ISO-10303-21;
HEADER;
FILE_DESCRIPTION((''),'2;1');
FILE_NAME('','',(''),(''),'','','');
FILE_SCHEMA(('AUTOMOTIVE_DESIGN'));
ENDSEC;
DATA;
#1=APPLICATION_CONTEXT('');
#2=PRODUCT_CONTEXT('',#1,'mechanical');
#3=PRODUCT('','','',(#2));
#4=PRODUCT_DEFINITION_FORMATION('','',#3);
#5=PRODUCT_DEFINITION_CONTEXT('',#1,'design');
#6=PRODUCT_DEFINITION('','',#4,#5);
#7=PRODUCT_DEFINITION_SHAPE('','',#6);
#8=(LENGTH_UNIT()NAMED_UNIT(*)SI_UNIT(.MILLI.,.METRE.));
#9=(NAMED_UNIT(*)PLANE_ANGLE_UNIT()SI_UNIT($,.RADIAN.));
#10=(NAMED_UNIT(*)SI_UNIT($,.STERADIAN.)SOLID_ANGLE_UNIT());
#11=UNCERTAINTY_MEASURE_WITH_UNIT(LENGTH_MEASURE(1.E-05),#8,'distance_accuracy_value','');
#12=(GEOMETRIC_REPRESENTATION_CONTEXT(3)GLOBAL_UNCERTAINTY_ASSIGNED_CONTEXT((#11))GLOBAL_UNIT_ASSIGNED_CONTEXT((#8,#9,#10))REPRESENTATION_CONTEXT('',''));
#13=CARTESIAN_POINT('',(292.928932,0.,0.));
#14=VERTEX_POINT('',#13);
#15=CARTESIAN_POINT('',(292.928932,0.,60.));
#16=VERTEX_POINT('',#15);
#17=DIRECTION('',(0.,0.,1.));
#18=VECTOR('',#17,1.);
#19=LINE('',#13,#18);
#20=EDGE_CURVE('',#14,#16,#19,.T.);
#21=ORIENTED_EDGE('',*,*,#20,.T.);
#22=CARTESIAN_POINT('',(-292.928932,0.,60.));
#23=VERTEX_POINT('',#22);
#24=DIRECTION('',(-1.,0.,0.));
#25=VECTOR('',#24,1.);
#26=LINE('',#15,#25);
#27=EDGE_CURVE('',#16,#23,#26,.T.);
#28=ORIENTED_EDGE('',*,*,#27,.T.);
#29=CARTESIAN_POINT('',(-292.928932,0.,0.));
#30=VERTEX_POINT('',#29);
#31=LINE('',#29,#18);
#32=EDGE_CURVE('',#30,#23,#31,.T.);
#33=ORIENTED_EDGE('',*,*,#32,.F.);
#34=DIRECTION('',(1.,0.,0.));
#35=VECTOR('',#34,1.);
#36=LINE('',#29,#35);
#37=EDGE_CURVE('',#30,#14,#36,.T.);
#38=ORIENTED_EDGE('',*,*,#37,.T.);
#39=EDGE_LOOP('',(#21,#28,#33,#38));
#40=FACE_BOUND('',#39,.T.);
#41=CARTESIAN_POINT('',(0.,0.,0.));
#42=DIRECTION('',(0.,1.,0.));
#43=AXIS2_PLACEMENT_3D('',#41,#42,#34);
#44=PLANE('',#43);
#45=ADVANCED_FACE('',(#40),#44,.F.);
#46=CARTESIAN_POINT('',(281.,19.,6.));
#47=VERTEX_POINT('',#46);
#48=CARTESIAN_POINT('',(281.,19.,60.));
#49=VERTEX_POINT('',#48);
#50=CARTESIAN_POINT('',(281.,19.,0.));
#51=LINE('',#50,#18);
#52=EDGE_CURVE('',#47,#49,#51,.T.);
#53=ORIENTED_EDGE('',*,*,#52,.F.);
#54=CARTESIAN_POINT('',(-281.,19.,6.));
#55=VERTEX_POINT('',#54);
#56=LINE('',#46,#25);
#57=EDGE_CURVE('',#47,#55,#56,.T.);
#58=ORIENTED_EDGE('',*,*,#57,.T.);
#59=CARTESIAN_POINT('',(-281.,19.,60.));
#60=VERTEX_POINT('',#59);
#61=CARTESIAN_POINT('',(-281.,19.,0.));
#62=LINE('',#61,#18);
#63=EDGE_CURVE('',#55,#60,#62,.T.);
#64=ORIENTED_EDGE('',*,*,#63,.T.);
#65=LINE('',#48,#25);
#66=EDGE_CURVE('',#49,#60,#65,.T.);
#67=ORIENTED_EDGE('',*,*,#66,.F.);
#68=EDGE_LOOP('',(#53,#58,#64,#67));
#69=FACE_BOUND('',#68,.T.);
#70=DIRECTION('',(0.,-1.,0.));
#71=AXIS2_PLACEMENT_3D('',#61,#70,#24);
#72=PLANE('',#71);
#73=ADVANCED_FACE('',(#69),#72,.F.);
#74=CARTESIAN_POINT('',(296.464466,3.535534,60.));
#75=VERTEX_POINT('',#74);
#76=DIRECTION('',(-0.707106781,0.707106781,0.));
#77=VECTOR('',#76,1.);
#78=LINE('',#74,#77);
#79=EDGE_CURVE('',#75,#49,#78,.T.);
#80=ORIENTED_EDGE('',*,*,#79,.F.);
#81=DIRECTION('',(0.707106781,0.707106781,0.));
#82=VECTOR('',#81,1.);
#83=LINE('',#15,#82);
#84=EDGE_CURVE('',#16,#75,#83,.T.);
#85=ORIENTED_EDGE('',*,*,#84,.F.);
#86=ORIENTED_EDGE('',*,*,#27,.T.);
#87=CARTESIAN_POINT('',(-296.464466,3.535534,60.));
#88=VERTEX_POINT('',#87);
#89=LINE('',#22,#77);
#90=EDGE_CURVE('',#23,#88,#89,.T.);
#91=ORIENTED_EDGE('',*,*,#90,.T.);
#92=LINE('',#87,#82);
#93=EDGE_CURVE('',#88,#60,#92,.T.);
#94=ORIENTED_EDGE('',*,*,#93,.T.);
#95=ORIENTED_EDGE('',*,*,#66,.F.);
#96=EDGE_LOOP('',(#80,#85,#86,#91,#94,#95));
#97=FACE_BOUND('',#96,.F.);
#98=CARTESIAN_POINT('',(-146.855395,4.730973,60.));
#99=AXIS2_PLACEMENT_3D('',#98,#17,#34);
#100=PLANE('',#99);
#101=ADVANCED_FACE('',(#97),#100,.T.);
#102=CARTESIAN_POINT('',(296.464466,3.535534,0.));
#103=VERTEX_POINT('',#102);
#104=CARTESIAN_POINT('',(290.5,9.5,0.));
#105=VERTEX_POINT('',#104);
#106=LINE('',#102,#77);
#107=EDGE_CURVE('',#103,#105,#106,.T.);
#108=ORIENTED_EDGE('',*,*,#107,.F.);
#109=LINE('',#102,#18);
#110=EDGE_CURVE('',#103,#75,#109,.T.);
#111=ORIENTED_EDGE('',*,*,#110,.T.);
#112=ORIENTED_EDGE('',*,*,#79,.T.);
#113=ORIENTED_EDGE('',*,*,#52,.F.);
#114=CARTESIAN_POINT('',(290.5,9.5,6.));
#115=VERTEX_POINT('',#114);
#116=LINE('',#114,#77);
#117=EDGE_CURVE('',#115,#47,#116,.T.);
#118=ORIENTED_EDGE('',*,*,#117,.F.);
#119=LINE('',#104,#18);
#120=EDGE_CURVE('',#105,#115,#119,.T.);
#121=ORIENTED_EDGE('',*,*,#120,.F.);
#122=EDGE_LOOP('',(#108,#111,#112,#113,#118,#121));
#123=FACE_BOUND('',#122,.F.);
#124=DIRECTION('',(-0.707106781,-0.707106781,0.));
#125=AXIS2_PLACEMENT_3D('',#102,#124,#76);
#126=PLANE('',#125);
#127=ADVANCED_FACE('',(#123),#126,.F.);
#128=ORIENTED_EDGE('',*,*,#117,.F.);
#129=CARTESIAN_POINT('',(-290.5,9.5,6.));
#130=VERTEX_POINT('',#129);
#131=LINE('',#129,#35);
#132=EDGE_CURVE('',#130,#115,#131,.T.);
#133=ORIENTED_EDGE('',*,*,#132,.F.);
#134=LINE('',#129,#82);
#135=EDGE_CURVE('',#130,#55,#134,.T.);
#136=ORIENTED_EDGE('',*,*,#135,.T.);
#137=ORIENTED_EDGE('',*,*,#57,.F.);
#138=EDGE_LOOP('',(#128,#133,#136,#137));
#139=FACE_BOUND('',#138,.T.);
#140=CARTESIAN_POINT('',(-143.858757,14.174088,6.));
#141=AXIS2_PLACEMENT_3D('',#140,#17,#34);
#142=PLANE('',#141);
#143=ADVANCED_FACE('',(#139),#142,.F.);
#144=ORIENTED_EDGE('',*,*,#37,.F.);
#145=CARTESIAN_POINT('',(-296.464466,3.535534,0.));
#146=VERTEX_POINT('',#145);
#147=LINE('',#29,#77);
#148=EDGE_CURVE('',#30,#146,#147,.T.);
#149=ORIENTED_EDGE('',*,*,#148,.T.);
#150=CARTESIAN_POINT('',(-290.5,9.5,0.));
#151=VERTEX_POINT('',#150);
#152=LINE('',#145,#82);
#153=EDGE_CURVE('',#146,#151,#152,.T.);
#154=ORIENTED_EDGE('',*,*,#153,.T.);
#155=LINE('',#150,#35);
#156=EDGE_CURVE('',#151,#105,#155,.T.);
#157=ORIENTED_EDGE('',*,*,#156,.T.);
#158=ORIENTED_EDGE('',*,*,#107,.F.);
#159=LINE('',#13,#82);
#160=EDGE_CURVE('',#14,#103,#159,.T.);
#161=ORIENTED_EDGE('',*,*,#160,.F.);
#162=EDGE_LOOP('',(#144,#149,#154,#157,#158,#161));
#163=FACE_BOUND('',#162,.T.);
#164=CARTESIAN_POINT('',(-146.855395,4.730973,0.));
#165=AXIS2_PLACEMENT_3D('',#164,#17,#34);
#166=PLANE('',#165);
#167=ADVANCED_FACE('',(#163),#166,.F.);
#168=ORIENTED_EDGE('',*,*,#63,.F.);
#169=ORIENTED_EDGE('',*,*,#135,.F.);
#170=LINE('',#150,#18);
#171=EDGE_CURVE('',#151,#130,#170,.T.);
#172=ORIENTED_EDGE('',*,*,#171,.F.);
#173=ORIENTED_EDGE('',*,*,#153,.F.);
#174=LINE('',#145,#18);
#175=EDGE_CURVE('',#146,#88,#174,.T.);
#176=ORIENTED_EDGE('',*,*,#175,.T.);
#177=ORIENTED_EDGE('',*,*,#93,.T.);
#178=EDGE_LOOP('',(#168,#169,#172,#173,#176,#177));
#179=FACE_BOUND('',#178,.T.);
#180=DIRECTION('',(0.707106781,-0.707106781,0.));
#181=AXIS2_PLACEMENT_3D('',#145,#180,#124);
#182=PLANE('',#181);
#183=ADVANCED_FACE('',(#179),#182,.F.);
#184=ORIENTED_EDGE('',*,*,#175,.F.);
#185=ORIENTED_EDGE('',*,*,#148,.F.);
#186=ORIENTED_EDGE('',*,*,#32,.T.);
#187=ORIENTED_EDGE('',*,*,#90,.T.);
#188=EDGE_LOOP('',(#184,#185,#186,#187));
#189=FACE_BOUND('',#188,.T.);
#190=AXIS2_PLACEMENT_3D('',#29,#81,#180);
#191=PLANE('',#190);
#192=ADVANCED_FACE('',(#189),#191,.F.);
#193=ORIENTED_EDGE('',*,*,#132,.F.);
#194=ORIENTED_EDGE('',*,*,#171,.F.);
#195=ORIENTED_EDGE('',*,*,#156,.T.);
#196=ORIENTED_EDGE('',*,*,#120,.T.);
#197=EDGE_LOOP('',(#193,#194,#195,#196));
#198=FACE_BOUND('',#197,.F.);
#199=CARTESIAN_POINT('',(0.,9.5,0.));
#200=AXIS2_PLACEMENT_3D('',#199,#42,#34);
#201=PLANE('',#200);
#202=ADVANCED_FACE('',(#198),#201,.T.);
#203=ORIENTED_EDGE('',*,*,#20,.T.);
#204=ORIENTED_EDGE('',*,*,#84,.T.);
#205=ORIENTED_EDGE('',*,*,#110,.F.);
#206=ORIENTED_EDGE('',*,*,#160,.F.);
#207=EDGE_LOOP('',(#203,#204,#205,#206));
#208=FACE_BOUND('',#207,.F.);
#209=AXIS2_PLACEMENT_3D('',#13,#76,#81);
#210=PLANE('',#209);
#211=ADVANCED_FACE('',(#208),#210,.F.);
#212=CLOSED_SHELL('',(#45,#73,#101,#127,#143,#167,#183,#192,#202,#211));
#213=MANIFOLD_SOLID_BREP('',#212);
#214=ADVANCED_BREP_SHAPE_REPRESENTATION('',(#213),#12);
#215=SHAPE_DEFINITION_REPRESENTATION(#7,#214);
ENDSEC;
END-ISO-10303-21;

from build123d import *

# Parameters (mm, degrees)
F1_DEPTH = 60
F2_DEPTH = 6


with BuildPart() as f1:
    # F0 (on Top) → F1 (new body)
    with BuildSketch(Plane.XY):
        Polygon((0, 9.5), (0, 0), (292.9289321881, 0), (296.4644660941, 3.5355339059), (290.5, 9.5), align=None)
        Polygon((0, 19), (0, 9.5), (290.5, 9.5), (281, 19), align=None)
    extrude(amount=F1_DEPTH)

    # F0 (on Top) → F2 (cut)
    with BuildSketch(Plane.XY):
        Polygon((0, 19), (0, 9.5), (290.5, 9.5), (281, 19), align=None)
    extrude(amount=F2_DEPTH, mode=Mode.SUBTRACT)

    # F3: F1 across plane


with BuildPart() as f1_1:
    add(f1.part)
    add(f1.part.mirror(Plane.YZ))


solid = f1_1.part
